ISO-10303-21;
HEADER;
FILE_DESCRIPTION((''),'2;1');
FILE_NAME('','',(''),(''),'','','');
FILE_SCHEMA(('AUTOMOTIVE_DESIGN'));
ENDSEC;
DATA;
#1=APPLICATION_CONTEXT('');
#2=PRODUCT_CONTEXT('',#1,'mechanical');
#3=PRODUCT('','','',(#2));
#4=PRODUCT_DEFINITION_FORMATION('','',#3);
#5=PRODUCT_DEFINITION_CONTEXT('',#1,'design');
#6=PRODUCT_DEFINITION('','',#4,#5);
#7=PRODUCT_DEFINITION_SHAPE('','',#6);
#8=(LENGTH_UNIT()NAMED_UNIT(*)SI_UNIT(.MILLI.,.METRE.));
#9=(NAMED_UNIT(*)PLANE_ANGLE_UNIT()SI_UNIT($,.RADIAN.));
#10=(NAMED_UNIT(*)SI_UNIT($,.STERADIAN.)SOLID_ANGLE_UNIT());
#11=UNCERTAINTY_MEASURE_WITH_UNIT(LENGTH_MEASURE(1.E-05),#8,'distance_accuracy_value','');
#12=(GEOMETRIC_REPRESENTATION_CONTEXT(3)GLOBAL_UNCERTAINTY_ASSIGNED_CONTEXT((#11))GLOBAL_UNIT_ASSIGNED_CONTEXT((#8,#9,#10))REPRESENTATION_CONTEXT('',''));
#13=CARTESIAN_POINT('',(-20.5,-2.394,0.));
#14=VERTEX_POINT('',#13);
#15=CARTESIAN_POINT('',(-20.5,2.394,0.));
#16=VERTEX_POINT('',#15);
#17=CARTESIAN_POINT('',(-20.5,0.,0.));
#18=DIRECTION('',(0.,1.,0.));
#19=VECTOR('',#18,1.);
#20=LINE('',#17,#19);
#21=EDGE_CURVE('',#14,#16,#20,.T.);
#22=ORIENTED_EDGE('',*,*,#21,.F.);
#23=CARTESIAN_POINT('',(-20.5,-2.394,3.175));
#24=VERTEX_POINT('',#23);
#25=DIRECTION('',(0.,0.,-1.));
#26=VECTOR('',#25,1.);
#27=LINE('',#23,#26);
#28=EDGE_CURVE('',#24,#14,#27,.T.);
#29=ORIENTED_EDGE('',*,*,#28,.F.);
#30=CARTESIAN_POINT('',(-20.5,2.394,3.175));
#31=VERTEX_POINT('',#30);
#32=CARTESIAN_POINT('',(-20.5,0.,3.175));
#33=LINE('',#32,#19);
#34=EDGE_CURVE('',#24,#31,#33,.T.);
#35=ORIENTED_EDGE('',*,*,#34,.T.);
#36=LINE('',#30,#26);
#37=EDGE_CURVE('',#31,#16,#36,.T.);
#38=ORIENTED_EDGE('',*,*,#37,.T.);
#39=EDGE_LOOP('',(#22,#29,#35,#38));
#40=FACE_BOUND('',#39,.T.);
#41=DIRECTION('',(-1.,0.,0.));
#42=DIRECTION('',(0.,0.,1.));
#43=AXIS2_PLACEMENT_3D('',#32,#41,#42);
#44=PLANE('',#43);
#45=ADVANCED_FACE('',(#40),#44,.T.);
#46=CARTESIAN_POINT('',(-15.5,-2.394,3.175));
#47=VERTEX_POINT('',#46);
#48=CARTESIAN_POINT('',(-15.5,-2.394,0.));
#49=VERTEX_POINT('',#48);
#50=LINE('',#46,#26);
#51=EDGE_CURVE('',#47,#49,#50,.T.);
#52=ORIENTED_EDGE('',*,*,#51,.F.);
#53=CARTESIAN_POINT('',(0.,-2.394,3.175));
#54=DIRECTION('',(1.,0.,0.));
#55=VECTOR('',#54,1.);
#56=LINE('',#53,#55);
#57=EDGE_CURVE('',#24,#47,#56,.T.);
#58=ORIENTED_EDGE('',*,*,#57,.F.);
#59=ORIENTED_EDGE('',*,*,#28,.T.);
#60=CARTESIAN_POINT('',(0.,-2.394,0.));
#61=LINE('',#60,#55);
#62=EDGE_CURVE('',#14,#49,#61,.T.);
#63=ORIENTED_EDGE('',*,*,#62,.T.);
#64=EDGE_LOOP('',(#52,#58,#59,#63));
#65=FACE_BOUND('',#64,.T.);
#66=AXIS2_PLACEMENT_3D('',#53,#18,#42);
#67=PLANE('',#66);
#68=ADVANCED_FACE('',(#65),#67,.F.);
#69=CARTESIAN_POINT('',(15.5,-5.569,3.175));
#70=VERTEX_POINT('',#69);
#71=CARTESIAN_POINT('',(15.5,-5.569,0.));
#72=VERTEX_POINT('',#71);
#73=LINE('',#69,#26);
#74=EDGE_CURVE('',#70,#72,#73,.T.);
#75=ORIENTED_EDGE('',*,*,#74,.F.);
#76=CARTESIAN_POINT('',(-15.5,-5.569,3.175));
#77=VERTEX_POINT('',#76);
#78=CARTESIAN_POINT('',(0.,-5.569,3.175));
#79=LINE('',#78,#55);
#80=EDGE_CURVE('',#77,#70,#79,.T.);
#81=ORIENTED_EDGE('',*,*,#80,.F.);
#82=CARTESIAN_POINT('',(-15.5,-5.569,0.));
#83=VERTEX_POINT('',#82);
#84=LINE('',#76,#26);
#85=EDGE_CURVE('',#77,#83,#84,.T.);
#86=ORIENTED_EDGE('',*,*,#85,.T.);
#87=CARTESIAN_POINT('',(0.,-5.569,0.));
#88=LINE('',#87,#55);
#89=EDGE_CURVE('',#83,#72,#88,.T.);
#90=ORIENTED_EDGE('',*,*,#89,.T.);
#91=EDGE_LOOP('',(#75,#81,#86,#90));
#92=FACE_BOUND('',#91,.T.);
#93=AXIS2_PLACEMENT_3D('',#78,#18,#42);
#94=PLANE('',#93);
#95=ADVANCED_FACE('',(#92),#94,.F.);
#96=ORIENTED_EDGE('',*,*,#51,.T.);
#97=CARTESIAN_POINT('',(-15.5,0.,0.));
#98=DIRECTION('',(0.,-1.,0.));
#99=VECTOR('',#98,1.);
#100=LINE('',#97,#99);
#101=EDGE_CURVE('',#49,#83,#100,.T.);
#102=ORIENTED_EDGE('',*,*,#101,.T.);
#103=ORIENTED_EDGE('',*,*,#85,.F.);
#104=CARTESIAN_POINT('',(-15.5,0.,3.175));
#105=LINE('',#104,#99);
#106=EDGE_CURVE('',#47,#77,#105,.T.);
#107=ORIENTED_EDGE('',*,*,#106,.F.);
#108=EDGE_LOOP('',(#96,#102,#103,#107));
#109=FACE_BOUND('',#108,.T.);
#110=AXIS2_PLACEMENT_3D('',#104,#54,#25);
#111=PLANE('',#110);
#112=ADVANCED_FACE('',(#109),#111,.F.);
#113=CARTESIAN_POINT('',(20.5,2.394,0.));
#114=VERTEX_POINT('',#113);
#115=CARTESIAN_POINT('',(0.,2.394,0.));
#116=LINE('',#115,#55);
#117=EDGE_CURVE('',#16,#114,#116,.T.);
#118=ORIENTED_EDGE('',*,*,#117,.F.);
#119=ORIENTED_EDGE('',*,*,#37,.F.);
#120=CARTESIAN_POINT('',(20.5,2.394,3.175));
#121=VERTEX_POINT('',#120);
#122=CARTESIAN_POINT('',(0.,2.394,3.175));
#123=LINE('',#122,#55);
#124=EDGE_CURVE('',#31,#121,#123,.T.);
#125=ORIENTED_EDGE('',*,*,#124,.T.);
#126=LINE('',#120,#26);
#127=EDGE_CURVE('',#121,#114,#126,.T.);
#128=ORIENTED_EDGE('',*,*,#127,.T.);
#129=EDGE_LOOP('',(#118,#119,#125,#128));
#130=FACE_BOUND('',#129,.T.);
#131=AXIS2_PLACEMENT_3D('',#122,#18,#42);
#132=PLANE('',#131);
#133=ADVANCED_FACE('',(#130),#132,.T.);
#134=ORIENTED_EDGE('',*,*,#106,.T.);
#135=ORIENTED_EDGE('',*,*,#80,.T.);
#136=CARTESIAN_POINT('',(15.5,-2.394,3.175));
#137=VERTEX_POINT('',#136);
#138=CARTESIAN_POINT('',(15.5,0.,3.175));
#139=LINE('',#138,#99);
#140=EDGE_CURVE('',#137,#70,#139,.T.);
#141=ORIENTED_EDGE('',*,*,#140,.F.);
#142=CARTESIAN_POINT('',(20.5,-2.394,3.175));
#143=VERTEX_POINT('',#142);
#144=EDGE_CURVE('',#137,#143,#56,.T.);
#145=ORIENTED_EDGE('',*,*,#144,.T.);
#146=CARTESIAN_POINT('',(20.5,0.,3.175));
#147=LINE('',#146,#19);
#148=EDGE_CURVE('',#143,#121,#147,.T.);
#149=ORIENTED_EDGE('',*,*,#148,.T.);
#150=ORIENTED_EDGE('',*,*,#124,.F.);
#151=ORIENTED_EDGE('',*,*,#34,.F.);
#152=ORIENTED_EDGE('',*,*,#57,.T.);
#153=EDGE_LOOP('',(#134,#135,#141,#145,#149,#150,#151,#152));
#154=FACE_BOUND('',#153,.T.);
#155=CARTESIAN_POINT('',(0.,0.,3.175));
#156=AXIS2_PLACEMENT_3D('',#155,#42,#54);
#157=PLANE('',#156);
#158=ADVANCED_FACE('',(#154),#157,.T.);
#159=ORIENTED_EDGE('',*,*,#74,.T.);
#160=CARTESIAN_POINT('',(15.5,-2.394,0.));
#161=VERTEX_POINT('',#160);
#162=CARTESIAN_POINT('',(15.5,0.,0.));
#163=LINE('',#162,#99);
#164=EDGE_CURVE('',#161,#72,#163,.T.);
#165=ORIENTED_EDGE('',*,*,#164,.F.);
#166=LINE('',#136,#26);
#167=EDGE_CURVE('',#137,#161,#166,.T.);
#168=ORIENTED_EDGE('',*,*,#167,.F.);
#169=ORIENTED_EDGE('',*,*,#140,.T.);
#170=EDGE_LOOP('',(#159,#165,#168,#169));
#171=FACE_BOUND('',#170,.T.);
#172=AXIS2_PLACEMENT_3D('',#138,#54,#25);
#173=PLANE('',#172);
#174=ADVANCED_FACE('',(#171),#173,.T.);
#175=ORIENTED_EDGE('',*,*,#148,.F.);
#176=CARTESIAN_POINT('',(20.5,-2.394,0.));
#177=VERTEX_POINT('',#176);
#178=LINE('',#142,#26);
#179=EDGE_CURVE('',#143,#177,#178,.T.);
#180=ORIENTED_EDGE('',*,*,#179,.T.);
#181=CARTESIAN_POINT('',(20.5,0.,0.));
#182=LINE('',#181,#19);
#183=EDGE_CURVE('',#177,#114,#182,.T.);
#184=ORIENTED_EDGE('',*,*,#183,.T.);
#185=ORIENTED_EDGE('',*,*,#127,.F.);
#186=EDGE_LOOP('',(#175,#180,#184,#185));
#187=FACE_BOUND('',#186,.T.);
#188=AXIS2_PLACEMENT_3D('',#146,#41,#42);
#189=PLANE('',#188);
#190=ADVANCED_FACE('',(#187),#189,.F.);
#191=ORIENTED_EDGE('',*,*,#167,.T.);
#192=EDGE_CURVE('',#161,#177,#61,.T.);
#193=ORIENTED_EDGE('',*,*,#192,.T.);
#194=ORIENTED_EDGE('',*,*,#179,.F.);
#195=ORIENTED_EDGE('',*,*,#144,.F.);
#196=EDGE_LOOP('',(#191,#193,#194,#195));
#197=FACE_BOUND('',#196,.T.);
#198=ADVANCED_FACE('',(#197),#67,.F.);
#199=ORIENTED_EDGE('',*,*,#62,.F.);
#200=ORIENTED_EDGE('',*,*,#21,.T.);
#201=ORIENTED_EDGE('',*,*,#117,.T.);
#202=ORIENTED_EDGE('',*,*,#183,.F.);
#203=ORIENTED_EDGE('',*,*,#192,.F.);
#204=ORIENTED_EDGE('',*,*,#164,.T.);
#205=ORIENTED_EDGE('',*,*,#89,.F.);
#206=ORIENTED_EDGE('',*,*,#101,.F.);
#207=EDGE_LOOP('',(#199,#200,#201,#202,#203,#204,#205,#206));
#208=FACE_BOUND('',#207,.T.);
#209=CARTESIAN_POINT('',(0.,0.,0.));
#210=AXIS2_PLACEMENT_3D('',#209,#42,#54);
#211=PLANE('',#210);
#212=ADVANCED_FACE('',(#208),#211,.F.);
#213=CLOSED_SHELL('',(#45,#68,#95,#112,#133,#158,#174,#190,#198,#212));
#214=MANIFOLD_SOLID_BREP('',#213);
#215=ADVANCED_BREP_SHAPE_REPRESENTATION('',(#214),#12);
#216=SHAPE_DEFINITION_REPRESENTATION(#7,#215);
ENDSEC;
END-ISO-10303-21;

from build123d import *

# Parameters (mm, degrees)
SKETCH1_W           = 41
SKETCH1_H           = 4.788
SKETCH1_W_2         = 12
SKETCH1_H_2         = 3.175
BOSS_EXTRUDE1_DEPTH = 3.175
SKETCH2_W           = 7
SKETCH2_H           = 3.175
BOSS_EXTRUDE3_DEPTH = 3.175


with BuildPart() as part:
    # Sketch1 → Boss-Extrude1 (new body)
    with BuildSketch(Plane.XY):
        Rectangle(SKETCH1_W, SKETCH1_H)
        with Locations((-9.5, -3.9815)):
            Rectangle(SKETCH1_W_2, SKETCH1_H_2)
        with Locations((9.5, -3.9815)):
            Rectangle(SKETCH1_W_2, SKETCH1_H_2)
    extrude(amount=BOSS_EXTRUDE1_DEPTH)

    # Sketch2 → Boss-Extrude3 (add)
    with BuildSketch(Plane.XY.offset(3.175)):
        with Locations((0, -3.9815)):
            Rectangle(SKETCH2_W, SKETCH2_H)
    extrude(amount=-BOSS_EXTRUDE3_DEPTH)


solid = part.part
